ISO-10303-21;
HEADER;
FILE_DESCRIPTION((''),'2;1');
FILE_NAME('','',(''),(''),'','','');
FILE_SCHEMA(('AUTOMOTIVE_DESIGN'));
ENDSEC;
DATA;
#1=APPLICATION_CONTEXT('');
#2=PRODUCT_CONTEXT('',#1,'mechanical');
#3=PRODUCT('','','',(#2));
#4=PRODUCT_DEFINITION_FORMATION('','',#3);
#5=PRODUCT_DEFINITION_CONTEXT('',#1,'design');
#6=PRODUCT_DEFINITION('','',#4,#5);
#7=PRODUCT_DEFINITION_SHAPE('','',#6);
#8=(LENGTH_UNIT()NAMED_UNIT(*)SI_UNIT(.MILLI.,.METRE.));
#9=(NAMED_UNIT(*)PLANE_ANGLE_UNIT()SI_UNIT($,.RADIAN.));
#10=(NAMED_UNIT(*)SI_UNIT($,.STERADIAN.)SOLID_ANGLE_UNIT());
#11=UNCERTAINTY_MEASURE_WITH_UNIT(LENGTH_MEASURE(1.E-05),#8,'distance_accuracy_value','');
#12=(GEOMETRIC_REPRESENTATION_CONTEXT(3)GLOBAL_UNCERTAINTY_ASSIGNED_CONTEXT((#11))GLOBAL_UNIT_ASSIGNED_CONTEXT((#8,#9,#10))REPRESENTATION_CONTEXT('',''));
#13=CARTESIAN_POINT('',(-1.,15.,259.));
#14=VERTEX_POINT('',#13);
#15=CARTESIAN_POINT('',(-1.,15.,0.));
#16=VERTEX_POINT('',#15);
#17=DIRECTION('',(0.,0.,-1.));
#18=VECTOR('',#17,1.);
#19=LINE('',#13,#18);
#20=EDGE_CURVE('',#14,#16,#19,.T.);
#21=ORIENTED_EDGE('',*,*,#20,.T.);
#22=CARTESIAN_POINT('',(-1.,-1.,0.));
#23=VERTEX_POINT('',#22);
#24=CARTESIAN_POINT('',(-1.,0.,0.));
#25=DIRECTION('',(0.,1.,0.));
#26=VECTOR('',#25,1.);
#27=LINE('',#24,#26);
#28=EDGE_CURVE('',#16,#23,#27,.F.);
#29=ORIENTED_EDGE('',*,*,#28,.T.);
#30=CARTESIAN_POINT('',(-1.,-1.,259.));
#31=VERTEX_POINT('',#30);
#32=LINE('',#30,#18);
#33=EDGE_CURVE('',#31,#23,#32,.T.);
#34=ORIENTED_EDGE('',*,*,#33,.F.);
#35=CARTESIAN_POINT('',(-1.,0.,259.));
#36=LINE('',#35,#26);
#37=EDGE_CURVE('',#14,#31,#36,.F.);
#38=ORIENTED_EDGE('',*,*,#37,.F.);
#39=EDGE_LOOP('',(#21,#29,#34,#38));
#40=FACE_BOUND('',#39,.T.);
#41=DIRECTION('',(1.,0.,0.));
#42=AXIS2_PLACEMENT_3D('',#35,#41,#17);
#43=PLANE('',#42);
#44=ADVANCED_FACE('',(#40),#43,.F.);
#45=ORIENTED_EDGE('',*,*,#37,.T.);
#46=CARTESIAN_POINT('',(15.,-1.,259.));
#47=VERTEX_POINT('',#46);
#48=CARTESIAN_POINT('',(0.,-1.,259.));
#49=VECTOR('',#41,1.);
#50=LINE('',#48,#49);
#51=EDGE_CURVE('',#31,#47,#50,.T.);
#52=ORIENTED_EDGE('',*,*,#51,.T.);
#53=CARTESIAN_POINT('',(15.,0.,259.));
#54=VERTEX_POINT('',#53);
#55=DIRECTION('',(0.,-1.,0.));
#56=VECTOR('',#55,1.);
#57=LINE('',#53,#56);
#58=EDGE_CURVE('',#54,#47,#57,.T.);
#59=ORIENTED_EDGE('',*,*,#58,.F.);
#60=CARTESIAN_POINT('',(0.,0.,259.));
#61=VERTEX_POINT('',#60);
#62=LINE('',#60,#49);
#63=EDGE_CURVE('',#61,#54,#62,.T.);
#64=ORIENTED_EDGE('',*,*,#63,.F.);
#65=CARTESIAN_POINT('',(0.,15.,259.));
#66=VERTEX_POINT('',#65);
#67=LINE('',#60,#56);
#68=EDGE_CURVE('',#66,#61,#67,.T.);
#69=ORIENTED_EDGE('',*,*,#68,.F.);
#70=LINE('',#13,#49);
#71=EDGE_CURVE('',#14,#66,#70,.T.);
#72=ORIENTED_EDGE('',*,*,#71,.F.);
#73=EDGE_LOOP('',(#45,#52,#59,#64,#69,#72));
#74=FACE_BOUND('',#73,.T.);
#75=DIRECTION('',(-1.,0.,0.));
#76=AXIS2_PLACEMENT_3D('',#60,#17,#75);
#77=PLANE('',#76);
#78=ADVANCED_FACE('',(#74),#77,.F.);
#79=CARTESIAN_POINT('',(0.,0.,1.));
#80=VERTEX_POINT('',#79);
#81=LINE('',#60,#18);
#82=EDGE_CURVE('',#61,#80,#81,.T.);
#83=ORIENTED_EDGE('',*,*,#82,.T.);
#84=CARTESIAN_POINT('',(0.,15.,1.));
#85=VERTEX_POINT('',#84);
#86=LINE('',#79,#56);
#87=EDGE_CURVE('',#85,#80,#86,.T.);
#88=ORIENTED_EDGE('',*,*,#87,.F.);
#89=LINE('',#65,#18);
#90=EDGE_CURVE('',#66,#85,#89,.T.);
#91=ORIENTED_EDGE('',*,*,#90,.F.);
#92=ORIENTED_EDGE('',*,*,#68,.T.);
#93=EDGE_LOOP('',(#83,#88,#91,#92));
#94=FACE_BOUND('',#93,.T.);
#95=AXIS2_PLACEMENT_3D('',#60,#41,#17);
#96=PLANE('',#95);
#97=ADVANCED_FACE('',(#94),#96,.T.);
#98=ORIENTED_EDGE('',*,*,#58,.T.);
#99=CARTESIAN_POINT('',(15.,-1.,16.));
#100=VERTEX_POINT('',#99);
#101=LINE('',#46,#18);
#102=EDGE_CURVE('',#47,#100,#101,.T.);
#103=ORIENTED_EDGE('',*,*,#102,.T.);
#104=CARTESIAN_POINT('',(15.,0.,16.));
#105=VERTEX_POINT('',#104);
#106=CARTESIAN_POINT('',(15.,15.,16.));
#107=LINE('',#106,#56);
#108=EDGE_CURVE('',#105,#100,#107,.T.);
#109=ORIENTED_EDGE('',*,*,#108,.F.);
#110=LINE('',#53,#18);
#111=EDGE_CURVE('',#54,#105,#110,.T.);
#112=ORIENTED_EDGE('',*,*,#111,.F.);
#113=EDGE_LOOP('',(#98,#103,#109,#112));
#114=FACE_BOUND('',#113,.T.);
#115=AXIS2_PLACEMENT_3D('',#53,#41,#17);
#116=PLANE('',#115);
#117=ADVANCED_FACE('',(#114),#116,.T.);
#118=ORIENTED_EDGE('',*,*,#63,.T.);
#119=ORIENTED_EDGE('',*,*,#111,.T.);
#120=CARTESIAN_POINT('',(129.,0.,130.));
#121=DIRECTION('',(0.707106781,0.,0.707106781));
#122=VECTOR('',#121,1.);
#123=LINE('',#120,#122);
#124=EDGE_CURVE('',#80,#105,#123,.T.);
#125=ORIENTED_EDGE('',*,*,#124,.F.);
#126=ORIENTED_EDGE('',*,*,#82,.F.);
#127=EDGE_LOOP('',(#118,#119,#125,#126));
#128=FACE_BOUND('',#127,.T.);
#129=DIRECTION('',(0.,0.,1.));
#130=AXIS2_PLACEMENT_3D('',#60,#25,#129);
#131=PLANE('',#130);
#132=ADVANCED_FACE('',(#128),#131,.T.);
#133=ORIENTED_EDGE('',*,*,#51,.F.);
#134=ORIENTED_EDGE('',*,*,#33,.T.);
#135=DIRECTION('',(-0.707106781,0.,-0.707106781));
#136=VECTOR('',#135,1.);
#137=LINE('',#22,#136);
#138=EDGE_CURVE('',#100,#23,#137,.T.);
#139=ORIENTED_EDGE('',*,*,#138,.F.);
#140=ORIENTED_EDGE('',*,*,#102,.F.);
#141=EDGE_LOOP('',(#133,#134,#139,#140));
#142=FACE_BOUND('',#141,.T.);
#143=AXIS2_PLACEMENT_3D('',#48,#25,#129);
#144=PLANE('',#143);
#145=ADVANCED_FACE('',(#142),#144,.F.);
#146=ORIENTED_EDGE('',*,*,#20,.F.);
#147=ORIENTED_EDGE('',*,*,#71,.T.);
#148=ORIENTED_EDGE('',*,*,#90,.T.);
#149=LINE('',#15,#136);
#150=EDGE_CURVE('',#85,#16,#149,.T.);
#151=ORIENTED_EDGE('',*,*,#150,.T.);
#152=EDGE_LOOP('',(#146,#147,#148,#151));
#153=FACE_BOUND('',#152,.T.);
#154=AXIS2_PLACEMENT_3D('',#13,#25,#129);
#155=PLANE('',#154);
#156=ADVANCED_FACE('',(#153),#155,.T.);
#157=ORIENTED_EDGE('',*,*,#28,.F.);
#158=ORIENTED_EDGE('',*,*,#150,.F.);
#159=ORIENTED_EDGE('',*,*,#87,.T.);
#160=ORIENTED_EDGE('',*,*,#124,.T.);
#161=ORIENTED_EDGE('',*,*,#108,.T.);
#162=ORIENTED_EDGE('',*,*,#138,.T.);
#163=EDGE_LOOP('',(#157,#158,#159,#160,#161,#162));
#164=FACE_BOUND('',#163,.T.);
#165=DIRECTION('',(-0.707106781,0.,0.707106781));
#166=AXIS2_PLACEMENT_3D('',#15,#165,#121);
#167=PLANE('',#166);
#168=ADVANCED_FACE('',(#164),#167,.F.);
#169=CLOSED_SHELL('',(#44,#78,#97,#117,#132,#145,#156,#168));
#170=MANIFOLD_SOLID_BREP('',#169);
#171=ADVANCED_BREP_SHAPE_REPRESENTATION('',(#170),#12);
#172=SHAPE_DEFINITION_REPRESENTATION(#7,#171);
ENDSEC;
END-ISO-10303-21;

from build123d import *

# Parameters (mm, degrees)
EXTRUDE_THIN1_DEPTH = 259
CUT_EXTRUDE1_DEPTH  = 260.926912804


with BuildPart() as part:
    # Sketch1 → Extrude-Thin1 (new body)
    with BuildSketch(Plane.XY):
        Polygon((15, 0), (0, 0), (0, 15), (-1, 15), (-1, -1), (15, -1), align=None)
    extrude(amount=EXTRUDE_THIN1_DEPTH)

    # Sketch2 → Cut-Extrude1 (cut, through all)
    with BuildSketch(Plane(origin=(0, -1, 0), x_dir=(-1, 0, 0), z_dir=(0, -1, 0))):
        Polygon((-15, 0), (1, 0), (-15, -16), align=None)
    extrude(amount=-CUT_EXTRUDE1_DEPTH, mode=Mode.SUBTRACT)


solid = part.part
